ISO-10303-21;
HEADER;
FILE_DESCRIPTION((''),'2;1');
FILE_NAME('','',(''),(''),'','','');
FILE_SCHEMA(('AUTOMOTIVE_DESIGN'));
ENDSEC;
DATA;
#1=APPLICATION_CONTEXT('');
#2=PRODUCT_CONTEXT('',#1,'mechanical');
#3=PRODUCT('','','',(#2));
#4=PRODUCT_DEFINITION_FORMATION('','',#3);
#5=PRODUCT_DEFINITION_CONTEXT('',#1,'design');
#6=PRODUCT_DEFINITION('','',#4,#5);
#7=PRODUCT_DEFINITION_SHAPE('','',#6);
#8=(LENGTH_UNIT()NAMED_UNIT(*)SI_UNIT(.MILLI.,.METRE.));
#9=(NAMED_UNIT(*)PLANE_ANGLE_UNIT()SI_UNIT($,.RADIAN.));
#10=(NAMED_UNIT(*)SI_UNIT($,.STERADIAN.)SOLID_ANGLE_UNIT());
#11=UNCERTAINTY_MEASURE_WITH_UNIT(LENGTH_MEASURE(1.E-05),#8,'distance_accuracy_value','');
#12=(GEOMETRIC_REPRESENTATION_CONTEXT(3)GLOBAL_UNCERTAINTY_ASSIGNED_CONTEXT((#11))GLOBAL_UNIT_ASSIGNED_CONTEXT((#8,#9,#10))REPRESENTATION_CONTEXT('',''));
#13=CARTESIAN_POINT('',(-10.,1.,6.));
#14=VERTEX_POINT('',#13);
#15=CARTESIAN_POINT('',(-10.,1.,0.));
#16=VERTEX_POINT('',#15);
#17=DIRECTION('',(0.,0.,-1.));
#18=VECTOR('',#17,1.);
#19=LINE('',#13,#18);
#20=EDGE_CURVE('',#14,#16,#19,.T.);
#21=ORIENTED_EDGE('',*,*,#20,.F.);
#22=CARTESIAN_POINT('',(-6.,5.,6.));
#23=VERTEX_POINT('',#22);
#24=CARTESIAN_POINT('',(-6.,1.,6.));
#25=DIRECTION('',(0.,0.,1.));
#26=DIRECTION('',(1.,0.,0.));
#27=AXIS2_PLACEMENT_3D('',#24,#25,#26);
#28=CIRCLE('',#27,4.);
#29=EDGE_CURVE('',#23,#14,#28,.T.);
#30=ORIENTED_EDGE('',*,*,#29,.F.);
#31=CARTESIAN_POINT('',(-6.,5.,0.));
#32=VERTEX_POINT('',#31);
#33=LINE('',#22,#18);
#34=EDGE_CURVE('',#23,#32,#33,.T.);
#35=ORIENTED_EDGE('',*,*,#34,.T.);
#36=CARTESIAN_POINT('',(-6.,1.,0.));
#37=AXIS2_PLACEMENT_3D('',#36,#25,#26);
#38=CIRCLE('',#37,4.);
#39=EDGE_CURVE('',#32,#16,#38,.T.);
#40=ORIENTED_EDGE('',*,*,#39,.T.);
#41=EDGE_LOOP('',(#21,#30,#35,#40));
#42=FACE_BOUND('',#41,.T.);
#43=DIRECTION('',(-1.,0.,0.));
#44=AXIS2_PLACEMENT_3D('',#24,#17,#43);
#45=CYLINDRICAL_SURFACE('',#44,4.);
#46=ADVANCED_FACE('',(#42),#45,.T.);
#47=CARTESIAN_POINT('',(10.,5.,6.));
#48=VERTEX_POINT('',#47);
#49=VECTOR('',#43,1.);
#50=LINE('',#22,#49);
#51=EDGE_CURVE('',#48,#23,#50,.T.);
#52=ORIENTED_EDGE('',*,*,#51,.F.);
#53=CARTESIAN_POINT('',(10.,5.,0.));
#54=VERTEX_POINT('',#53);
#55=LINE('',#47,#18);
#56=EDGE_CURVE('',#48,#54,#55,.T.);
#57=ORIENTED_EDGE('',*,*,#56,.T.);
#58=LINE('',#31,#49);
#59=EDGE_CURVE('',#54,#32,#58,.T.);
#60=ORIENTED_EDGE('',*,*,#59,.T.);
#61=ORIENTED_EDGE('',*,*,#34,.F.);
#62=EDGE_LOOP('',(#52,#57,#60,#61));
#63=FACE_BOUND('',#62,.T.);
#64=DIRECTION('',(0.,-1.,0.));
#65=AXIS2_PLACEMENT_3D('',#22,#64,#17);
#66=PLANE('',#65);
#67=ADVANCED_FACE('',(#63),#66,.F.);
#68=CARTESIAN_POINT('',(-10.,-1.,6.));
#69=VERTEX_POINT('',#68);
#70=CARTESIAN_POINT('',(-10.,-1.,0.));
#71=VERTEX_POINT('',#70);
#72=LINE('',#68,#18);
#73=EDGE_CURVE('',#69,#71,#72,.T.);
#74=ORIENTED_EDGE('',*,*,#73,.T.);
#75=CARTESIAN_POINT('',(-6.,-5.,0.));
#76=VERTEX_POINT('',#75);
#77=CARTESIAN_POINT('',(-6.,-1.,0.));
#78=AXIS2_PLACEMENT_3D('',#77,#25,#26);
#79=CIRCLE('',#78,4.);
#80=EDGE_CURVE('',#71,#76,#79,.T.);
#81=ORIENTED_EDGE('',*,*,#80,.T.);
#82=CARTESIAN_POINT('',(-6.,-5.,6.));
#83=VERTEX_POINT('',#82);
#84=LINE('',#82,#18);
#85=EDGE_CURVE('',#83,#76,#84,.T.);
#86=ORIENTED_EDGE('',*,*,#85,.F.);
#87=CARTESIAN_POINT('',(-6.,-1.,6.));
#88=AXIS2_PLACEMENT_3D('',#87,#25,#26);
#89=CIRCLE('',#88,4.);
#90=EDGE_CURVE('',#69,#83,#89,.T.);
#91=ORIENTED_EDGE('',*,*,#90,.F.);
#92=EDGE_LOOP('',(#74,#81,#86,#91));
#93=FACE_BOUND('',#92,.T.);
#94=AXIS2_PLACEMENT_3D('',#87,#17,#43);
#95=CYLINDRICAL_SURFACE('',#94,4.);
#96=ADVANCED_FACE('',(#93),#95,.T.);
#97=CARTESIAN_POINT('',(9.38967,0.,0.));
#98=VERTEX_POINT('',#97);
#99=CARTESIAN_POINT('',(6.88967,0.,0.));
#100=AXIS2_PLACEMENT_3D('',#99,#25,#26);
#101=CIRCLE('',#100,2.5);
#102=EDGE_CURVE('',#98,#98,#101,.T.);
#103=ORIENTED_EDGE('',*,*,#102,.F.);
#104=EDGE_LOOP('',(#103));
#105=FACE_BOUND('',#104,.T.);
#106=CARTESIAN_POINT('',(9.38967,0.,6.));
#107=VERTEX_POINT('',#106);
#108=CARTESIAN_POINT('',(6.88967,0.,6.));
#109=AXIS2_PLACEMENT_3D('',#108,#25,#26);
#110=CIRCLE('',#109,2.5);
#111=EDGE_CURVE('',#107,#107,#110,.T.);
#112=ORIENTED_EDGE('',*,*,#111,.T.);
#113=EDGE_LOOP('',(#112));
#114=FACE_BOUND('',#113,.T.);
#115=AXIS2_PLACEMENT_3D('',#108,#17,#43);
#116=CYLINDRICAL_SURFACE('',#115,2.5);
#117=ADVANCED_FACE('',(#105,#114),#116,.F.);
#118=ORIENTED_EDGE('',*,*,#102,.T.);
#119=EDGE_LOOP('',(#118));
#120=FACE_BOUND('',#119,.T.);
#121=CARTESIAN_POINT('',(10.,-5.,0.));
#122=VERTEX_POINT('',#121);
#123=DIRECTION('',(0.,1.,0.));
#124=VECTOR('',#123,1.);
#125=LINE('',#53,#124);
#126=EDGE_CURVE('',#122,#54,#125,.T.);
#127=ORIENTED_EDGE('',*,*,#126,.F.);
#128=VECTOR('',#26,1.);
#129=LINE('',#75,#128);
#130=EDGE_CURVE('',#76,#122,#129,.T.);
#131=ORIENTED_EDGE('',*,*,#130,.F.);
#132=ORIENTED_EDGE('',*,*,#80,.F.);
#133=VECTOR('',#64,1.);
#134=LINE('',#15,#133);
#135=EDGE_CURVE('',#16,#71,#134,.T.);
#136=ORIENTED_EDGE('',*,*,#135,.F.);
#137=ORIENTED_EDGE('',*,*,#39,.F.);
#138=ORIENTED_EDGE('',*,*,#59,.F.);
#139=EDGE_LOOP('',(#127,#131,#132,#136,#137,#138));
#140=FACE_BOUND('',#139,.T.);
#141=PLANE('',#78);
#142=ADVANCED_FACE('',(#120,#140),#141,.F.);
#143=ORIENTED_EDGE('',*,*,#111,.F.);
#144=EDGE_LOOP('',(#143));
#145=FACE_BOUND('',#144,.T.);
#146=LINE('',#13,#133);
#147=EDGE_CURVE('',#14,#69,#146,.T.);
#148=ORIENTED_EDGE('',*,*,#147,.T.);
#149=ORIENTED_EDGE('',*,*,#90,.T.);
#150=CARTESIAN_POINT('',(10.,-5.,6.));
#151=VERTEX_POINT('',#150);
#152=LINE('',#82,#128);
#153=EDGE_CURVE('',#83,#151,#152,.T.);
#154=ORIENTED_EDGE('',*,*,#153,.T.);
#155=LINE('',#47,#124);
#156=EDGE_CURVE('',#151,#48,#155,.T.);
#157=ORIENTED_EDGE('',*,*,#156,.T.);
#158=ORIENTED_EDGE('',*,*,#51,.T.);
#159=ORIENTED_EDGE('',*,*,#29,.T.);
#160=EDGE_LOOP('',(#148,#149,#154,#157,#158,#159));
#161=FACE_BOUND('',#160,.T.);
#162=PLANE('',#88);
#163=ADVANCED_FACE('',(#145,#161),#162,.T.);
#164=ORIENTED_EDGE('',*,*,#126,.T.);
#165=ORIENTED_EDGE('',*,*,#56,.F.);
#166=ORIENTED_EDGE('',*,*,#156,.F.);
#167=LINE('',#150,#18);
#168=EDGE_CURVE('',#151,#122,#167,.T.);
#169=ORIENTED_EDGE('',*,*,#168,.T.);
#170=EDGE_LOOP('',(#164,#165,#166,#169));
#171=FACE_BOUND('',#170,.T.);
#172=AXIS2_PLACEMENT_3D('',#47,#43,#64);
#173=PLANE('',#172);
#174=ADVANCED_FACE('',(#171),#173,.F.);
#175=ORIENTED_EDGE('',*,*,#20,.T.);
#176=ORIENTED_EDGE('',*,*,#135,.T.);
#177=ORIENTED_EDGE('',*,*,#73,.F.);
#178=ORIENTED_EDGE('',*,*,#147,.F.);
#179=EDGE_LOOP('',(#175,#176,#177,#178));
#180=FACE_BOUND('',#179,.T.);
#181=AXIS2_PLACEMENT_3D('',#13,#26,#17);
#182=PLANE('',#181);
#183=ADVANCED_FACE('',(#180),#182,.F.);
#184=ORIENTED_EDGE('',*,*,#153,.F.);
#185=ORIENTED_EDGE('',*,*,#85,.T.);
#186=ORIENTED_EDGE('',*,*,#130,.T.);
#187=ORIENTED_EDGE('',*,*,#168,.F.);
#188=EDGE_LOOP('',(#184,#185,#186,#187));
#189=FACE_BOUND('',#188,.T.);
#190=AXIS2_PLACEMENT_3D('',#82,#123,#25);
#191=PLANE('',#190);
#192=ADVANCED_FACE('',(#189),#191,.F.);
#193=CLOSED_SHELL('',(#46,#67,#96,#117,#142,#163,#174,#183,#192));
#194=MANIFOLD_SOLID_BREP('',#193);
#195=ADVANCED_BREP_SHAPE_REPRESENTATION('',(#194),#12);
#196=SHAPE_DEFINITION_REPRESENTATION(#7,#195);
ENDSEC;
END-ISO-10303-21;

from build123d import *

# Parameters (mm, degrees)
SKETCH1_R           = 2.5
BOSS_EXTRUDE1_DEPTH = 6


with BuildPart() as part:
    # Sketch1 → Boss-Extrude1 (new body)
    with BuildSketch(Plane.XY):
        with BuildLine():
            Line((-6, 5), (10, 5))
            Line((10, 5), (10, -5))
            Line((10, -5), (-6, -5))
            ThreePointArc((-6, -5), (-8.828427125, -3.828427125), (-10, -1))
            Line((-10, -1), (-10, 1))
            ThreePointArc((-10, 1), (-8.828427125, 3.828427125), (-6, 5))
        make_face()
        with Locations((6.889669794, 0)):
            Circle(SKETCH1_R, mode=Mode.SUBTRACT)
    extrude(amount=BOSS_EXTRUDE1_DEPTH)


solid = part.part
